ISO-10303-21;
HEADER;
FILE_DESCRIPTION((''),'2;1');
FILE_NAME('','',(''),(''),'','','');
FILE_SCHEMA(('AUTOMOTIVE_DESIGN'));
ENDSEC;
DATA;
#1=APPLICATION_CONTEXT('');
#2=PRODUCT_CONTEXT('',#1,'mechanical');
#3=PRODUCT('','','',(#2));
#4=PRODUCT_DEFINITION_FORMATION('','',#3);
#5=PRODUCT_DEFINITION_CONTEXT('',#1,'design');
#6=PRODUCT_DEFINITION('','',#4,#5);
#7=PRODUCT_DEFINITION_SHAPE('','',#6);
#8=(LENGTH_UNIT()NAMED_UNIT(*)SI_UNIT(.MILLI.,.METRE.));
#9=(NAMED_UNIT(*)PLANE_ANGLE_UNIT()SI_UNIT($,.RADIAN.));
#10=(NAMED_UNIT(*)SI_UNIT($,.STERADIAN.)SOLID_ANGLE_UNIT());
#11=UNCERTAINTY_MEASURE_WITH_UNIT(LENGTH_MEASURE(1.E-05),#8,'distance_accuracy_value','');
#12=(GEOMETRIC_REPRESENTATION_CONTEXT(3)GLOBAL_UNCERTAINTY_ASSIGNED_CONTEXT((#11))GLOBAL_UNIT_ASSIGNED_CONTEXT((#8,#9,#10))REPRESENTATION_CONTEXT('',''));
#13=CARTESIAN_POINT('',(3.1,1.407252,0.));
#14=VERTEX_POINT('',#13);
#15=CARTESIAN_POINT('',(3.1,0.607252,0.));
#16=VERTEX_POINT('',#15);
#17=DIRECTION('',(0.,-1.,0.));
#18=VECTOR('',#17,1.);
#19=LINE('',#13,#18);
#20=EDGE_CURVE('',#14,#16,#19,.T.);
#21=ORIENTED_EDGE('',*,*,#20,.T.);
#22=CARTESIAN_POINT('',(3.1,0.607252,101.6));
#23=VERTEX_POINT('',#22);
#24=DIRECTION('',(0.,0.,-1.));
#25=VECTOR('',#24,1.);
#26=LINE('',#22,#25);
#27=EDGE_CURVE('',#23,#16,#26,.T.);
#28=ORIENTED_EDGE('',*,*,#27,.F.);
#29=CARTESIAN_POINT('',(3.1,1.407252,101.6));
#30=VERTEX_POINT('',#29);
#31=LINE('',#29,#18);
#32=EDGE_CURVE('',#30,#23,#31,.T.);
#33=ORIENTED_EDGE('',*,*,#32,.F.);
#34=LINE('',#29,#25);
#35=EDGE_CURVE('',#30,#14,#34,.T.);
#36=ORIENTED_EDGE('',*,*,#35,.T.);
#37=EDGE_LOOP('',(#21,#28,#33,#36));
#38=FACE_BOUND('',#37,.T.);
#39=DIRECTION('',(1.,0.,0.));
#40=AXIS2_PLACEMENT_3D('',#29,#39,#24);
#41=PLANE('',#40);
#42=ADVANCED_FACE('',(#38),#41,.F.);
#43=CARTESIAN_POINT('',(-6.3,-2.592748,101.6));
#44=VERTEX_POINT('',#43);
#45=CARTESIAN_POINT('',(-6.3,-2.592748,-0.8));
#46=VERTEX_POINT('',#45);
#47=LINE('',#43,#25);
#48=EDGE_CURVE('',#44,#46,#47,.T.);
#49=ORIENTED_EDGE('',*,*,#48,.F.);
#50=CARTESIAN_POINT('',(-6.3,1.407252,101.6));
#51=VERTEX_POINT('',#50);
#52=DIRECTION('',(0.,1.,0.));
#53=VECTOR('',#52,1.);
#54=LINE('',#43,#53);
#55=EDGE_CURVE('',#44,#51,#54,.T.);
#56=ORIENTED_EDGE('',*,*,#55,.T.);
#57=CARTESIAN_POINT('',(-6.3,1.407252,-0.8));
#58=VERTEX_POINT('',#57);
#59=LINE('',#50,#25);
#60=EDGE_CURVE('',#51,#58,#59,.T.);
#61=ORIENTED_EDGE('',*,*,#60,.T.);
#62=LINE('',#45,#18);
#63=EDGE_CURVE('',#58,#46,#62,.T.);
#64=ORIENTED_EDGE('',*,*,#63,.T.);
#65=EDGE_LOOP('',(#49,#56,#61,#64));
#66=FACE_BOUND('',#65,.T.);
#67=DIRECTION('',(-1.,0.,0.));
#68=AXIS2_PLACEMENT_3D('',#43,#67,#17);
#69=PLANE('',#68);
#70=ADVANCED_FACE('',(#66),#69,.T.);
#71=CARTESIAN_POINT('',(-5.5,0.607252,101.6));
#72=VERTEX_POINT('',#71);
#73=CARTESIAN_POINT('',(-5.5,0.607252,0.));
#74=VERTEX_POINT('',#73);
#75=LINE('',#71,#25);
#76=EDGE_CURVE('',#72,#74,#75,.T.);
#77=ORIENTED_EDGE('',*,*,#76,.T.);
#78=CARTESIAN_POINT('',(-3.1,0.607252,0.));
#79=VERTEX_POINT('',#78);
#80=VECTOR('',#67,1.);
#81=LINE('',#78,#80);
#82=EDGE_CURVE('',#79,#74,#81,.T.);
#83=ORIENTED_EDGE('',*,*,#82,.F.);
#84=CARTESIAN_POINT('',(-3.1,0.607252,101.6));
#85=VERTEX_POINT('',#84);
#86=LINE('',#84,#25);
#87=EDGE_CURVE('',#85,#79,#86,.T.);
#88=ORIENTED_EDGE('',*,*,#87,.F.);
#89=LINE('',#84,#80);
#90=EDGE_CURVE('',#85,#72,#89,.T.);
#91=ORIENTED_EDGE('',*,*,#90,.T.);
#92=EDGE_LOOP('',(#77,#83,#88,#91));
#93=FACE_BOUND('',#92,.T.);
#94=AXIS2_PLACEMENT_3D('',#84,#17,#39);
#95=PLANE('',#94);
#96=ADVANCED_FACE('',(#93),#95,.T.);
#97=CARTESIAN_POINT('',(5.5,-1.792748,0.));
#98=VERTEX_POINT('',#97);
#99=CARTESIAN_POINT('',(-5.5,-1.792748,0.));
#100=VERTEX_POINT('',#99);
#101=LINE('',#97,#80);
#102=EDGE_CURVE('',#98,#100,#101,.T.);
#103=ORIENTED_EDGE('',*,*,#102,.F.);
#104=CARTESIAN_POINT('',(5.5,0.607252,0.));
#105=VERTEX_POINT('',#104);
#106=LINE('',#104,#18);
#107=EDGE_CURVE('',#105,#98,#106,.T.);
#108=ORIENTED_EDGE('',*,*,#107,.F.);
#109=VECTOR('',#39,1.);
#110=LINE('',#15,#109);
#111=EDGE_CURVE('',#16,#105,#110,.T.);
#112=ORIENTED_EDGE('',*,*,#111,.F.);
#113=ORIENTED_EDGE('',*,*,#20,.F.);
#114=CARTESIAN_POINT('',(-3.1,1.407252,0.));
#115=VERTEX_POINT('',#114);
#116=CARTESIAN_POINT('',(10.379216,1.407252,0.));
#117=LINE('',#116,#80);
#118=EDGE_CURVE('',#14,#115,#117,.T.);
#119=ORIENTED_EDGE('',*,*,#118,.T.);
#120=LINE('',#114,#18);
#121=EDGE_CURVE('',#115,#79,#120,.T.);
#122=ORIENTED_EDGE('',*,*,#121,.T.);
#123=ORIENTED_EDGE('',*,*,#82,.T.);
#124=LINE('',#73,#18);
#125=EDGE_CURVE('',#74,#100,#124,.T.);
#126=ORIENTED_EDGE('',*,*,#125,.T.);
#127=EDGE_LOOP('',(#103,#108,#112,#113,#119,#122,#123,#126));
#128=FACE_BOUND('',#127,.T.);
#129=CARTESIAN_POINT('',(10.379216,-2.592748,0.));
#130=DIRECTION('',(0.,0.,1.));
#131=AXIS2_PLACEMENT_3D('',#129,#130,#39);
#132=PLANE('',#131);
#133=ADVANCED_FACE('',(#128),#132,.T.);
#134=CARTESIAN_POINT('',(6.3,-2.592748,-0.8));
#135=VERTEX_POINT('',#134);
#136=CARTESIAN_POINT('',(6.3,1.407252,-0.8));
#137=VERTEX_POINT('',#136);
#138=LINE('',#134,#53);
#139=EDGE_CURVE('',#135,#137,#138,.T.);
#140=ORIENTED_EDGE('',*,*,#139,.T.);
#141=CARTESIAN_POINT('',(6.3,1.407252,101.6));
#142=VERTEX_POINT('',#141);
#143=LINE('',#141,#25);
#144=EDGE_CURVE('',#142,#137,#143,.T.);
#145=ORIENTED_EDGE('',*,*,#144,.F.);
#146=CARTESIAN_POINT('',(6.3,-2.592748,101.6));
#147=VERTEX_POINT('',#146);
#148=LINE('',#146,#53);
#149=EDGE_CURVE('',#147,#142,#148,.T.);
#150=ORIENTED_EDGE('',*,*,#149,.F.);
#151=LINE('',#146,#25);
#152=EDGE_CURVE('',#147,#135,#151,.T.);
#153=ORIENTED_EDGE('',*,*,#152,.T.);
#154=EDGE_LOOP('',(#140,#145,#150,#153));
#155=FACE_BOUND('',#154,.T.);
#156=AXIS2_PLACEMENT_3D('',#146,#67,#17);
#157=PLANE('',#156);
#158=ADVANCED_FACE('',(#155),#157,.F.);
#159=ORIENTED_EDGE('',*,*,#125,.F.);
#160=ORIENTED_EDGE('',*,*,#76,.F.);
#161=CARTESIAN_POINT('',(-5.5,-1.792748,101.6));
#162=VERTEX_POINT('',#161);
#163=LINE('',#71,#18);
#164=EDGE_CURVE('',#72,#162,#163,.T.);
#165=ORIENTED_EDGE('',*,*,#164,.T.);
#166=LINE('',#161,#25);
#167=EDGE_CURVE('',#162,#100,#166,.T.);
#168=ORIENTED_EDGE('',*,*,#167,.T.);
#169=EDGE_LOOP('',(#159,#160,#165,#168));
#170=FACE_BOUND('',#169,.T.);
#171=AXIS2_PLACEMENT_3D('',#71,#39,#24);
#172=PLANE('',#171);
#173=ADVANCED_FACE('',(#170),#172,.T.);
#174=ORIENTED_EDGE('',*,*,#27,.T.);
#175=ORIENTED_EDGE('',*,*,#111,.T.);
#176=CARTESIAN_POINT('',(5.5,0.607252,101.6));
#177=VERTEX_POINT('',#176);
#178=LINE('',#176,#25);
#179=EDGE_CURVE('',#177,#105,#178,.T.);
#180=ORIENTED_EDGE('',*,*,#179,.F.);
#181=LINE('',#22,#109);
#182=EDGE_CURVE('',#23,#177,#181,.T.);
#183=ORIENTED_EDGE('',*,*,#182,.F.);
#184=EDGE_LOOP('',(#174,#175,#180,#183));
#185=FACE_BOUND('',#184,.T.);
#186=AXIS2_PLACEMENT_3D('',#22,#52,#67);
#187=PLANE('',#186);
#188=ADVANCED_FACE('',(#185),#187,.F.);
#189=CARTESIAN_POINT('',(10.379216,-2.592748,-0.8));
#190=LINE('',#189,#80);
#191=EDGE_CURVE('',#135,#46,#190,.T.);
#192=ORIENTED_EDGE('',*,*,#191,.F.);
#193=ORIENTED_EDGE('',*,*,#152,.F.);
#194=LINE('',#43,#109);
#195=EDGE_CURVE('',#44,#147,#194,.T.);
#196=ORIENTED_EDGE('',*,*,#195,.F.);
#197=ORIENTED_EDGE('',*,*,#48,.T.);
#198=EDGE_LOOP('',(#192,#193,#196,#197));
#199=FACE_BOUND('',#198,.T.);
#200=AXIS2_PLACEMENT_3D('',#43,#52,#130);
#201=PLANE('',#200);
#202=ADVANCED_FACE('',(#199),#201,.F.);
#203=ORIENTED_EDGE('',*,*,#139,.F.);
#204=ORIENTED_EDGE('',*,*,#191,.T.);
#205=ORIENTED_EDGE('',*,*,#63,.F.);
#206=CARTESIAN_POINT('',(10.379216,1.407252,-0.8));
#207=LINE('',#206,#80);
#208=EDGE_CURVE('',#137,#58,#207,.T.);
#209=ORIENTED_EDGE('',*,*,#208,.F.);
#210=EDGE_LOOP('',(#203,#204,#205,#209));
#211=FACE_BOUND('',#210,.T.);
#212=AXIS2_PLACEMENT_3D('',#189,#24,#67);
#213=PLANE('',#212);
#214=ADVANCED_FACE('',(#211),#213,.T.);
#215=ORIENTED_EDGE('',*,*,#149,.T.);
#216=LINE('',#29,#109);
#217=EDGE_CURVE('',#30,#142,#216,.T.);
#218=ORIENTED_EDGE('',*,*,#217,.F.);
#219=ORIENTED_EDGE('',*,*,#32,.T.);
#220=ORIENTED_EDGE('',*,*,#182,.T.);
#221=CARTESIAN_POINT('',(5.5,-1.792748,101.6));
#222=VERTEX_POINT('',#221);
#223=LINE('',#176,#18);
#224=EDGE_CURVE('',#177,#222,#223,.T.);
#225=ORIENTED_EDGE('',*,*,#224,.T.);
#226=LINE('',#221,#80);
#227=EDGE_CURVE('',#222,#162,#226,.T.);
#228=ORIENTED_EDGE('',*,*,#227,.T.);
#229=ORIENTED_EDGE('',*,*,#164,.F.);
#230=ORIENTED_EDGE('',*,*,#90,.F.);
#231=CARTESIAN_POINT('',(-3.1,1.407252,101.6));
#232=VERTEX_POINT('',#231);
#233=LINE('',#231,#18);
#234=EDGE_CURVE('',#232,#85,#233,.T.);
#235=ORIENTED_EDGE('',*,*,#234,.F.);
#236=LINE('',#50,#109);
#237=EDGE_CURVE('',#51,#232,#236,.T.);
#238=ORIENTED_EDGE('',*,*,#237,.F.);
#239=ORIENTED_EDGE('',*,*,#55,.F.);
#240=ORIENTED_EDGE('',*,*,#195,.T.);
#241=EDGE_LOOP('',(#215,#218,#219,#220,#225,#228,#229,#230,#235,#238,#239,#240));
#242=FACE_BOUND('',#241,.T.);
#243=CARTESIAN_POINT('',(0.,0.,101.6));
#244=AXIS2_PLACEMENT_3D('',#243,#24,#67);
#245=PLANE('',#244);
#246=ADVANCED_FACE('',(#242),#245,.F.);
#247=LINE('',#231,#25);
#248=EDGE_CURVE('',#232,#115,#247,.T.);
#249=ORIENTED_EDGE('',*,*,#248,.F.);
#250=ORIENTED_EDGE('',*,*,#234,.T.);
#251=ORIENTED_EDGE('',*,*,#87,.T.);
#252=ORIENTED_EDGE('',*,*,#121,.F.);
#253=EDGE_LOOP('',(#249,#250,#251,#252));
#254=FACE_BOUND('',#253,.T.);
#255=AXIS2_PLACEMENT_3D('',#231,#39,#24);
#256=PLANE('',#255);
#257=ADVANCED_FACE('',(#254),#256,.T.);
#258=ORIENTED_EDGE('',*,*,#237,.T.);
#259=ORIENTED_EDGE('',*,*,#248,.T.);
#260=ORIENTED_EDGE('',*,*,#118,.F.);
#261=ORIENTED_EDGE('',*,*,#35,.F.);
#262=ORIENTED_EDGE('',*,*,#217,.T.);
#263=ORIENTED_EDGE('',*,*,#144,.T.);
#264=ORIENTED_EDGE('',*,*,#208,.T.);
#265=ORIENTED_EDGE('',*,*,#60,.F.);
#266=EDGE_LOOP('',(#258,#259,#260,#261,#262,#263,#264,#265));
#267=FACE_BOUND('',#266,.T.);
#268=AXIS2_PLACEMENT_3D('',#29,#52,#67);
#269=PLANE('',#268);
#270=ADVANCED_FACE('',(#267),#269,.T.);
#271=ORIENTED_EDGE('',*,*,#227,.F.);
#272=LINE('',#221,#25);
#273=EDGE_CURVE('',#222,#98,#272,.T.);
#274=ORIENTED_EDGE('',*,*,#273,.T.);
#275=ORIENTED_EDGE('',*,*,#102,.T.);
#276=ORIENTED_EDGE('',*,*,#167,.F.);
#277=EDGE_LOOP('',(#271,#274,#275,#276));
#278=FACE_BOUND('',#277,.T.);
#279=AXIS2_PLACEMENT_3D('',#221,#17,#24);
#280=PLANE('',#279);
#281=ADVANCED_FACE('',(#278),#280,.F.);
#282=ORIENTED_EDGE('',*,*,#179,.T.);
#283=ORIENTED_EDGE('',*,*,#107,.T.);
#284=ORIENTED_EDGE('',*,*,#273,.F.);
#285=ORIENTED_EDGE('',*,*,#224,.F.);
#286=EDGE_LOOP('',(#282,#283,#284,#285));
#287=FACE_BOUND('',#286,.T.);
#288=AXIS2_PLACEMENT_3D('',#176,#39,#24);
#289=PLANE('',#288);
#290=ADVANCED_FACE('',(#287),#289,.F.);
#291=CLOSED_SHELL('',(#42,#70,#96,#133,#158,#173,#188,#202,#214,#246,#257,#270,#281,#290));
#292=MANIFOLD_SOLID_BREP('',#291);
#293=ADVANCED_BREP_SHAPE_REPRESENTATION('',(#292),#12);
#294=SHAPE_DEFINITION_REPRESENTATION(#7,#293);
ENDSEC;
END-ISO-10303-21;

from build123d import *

# Parameters (mm, degrees)
BOSS_EXTRUDE1_DEPTH = 101.6
SKETCH2_W           = 0.8
SKETCH2_H           = 4
BOSS_EXTRUDE2_DEPTH = 12.6


with BuildPart() as part:
    # Sketch1 → Boss-Extrude1 (new body)
    with BuildSketch(Plane.XY):
        Polygon((3.1, 1.407251622), (3.1, 0.607251622), (5.5, 0.607251622), (5.5, -1.792748378), (-5.5, -1.792748378), (-5.5, 0.607251622), (-3.1, 0.607251622), (-3.1, 1.407251622), (-6.3, 1.407251622), (-6.3, -2.592748378), (6.3, -2.592748378), (6.3, 1.407251622), align=None)
    extrude(amount=BOSS_EXTRUDE1_DEPTH)

    # Sketch2 → Boss-Extrude2 (add)
    with BuildSketch(Plane.ZY.offset(6.3)):
        with Locations((-0.4, -0.592748378)):
            Rectangle(SKETCH2_W, SKETCH2_H)
    extrude(amount=-BOSS_EXTRUDE2_DEPTH)


solid = part.part
